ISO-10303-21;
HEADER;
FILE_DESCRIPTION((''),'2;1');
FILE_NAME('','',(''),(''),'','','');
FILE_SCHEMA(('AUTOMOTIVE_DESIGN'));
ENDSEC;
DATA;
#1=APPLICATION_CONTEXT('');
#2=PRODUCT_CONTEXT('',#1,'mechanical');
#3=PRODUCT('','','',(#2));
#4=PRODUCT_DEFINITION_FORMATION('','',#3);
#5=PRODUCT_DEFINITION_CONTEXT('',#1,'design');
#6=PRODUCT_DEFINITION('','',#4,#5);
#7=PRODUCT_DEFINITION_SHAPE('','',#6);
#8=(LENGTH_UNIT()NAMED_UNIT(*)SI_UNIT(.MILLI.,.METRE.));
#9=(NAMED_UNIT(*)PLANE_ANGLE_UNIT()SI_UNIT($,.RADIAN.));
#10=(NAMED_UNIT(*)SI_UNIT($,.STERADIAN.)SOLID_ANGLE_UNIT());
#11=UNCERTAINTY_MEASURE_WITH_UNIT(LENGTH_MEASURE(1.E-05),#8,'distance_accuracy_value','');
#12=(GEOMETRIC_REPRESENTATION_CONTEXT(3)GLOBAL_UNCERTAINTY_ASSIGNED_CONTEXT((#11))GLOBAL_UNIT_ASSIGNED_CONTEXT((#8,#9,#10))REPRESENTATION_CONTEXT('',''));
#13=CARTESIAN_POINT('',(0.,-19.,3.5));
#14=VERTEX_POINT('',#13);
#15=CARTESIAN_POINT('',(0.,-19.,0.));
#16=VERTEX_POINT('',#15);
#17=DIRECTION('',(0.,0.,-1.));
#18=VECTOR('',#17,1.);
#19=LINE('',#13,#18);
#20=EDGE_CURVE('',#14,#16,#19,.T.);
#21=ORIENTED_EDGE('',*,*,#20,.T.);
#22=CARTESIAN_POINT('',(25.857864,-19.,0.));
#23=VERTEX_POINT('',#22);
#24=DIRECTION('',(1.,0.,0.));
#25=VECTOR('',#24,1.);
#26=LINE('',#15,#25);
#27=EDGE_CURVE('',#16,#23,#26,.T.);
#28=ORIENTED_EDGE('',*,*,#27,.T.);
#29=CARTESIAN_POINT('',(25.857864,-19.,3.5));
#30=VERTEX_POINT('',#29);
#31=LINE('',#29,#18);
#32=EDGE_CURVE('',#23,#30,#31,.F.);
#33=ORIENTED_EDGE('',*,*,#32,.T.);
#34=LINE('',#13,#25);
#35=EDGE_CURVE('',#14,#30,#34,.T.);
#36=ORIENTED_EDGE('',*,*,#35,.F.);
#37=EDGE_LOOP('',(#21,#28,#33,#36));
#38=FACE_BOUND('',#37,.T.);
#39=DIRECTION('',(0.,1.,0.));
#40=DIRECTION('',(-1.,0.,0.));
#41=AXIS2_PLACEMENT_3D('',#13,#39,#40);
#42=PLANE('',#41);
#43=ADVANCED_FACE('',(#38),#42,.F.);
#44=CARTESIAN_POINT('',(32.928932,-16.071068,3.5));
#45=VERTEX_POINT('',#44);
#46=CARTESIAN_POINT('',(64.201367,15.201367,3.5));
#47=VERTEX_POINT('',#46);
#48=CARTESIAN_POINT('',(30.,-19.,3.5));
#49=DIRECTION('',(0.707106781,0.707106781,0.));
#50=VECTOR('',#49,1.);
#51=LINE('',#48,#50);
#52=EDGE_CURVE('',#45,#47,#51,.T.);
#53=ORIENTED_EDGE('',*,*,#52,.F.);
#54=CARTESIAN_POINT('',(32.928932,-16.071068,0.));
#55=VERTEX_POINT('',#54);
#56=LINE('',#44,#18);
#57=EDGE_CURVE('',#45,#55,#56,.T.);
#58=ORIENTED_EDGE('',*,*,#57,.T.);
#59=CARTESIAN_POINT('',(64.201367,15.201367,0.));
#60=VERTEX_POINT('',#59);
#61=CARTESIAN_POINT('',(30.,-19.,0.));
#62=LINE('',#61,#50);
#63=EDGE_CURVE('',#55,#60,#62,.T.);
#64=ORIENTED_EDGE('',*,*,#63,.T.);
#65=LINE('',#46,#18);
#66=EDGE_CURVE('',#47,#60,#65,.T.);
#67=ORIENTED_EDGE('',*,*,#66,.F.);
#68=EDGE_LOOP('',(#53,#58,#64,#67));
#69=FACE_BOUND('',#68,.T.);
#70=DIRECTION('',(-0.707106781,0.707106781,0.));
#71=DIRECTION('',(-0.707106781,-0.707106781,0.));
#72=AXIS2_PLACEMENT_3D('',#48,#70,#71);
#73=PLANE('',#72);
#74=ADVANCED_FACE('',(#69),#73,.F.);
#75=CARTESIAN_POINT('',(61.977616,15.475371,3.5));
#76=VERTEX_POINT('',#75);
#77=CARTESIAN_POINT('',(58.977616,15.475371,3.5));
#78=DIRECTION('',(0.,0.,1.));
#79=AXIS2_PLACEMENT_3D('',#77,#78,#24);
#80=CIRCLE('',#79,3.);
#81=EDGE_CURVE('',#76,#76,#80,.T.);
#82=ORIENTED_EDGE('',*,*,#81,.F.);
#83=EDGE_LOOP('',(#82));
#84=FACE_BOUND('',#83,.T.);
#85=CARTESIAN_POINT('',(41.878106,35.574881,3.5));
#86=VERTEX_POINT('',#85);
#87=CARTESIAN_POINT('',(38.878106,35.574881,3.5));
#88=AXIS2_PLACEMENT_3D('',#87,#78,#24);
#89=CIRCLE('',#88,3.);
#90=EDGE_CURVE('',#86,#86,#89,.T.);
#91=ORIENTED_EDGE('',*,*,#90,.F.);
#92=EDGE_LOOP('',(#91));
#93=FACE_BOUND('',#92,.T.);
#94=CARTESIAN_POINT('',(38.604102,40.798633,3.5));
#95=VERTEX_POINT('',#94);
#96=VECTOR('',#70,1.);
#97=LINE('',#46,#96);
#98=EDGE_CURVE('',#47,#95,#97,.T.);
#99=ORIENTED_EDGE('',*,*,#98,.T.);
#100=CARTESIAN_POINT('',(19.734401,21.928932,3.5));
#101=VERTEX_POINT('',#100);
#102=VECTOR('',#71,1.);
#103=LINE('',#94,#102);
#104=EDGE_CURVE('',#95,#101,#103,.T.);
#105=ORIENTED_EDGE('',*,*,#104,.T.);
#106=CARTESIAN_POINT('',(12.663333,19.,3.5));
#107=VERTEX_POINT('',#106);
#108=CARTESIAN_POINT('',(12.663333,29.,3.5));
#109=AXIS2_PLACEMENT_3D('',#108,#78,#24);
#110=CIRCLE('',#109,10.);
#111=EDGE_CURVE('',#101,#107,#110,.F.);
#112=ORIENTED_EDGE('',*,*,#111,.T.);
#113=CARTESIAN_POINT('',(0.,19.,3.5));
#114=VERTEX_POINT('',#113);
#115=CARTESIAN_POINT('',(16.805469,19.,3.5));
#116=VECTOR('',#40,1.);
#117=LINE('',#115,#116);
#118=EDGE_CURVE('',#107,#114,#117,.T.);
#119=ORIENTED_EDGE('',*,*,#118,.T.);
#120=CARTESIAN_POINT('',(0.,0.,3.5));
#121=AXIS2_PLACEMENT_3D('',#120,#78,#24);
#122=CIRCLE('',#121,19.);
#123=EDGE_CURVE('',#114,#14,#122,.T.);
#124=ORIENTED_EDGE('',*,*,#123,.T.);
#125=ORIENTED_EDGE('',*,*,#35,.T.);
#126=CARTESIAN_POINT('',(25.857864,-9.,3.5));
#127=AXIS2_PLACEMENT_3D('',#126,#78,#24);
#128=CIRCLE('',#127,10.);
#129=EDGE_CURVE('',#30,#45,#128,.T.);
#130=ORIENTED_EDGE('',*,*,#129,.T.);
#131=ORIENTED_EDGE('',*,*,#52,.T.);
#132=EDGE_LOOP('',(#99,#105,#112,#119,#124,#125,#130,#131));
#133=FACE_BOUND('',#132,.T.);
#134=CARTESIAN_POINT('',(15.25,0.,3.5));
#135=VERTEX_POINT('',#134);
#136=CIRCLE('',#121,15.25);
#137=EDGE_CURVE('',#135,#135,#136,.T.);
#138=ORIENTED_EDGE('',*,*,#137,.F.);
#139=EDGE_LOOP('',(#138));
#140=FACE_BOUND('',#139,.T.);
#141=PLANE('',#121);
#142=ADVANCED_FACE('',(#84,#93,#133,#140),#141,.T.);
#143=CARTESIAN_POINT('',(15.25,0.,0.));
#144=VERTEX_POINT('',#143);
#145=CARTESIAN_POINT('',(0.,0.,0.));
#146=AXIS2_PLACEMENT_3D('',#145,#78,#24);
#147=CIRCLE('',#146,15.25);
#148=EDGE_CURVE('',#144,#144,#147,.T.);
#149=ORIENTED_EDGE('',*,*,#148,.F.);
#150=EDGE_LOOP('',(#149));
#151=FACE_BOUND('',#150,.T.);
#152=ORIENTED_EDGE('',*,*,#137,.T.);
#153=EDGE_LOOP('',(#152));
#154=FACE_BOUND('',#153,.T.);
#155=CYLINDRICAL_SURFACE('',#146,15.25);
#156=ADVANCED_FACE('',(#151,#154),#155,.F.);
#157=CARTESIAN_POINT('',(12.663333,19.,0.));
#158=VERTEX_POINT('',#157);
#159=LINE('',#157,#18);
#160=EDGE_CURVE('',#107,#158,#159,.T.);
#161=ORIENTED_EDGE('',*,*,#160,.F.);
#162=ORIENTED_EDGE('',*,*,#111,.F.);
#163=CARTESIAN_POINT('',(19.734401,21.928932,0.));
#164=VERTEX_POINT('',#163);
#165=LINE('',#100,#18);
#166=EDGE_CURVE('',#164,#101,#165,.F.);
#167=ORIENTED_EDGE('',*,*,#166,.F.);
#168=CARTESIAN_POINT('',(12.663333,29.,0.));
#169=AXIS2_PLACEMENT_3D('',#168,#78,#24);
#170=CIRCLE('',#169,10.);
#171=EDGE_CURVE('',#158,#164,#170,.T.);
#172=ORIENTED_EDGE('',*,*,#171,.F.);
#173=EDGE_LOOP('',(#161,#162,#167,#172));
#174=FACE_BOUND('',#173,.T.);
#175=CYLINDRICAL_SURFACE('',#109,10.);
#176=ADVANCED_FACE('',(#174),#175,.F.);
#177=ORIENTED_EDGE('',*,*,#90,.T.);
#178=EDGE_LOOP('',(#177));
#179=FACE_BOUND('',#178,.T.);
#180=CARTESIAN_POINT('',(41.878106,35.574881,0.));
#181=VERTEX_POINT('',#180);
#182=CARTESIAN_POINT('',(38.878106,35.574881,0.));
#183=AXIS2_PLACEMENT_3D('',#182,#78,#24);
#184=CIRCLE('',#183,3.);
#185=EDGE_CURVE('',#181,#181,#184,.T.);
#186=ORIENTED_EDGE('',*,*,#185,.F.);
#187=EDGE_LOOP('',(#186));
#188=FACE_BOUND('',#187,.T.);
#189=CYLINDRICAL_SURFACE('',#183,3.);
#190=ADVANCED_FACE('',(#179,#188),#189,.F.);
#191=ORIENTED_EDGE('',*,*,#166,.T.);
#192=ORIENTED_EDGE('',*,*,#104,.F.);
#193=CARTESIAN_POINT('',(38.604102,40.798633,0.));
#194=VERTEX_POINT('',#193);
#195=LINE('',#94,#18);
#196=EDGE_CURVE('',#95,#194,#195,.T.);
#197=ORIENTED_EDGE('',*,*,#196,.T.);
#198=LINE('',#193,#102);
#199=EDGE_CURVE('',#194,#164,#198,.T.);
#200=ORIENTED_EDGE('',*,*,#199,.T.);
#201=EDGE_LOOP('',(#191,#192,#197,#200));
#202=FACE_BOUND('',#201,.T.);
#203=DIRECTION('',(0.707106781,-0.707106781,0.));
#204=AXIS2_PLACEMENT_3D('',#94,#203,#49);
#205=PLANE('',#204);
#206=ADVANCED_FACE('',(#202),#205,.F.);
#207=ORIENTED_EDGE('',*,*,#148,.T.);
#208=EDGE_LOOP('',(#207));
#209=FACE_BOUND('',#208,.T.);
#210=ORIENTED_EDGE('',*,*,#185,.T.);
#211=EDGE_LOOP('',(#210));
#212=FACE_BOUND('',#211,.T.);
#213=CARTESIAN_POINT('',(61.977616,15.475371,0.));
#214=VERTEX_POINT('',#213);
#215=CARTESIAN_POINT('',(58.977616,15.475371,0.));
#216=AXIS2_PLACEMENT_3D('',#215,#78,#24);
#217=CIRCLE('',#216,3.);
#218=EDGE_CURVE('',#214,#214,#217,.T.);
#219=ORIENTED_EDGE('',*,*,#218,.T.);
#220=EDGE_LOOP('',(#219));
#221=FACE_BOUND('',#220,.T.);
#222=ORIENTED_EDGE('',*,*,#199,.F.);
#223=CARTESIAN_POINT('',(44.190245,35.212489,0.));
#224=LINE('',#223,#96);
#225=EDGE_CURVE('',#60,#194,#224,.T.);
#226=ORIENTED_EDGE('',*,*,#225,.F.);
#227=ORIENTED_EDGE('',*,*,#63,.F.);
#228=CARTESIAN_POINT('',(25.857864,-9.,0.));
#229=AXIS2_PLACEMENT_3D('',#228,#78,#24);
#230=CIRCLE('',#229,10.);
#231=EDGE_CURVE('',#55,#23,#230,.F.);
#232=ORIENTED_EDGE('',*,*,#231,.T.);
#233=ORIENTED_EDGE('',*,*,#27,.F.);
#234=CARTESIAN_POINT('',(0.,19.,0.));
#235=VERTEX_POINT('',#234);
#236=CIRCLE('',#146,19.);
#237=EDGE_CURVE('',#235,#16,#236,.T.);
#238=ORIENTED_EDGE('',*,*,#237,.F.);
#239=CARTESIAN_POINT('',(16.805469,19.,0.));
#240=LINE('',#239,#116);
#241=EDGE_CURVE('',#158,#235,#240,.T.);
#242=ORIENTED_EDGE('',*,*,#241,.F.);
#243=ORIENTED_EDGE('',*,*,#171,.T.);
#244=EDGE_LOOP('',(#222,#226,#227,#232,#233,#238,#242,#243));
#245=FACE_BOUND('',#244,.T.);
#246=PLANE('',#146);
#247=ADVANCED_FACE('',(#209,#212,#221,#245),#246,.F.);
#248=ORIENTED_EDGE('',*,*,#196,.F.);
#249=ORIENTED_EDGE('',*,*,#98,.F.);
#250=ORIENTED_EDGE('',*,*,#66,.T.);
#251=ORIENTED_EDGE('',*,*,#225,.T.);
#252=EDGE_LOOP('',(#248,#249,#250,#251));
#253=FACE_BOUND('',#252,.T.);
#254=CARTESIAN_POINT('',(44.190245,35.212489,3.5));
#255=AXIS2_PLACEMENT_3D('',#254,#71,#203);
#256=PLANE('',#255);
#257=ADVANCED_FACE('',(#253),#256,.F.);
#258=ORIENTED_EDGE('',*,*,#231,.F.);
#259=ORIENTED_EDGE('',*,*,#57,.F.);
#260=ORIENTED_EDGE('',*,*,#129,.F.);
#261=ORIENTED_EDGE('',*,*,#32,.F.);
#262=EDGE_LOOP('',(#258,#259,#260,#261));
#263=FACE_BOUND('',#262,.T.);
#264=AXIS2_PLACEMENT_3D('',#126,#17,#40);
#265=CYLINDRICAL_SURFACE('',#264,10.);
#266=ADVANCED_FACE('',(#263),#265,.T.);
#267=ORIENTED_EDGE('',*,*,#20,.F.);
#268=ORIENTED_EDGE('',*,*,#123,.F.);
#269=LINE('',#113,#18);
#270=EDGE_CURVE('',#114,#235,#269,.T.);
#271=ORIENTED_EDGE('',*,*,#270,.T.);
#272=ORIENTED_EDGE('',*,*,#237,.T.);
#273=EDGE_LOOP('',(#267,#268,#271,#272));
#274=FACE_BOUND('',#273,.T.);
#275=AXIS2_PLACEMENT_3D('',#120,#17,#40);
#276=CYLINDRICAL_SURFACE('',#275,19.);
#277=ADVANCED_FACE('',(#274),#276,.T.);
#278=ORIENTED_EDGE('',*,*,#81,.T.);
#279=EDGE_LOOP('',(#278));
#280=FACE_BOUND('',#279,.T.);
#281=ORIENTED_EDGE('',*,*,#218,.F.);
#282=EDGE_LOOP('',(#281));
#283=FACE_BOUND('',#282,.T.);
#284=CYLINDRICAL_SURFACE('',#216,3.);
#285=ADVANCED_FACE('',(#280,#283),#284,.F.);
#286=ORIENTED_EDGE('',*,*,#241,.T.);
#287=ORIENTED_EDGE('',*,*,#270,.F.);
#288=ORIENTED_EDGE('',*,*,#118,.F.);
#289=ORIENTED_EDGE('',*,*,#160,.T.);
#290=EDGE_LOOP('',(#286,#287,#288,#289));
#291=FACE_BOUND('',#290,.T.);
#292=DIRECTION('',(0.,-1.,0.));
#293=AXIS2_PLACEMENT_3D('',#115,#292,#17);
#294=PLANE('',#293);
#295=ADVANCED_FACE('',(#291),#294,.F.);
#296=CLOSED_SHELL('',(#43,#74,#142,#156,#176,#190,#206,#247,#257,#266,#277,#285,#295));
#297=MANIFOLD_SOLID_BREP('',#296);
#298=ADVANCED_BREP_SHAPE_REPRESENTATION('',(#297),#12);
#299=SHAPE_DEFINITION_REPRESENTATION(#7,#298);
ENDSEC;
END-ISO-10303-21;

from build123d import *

# Parameters (mm, degrees)
SKETCH1_R           = 2.5
BOSS_EXTRUDE1_DEPTH = 3.5
SKETCH2_R           = 1.5
CUT_EXTRUDE1_DEPTH  = 77.148499601
FILLET1_R           = 10
SKETCH3_R           = 15.25
SKETCH3_R_2         = 3
CUT_EXTRUDE2_DEPTH  = 77.148499601


with BuildPart() as part:
    # Sketch1 → Boss-Extrude1 (new body)
    with BuildSketch(Plane.XY):
        with BuildLine():
            Line((0, -19), (30, -19))
            Line((30, -19), (64.201367261, 15.201367261))
            Line((64.201367261, 15.201367261), (58.615223689, 20.787510832))
            Line((58.615223689, 20.787510832), (44.190245353, 35.212489168))
            Line((44.190245353, 35.212489168), (38.604101782, 40.798632739))
            Line((38.604101782, 40.798632739), (16.805469042, 19))
            Line((16.805469042, 19), (0, 19))
            ThreePointArc((0, 19), (-19, 0), (0, -19))
        make_face()
        Circle(SKETCH1_R, mode=Mode.SUBTRACT)
    extrude(amount=BOSS_EXTRUDE1_DEPTH)

    # Sketch2 → Cut-Extrude1 (cut, through all)
    with BuildSketch(Plane.XY.offset(3.5)):
        with Locations((38.878105659, 35.574881393)):
            Circle(SKETCH2_R)
        with Locations((58.977615915, 15.475371138)):
            Circle(SKETCH2_R)
    extrude(amount=-CUT_EXTRUDE1_DEPTH, mode=Mode.SUBTRACT)

    # Fillet1
    fillet1_edges = [part.edges().sort_by_distance(p)[0] for p in [
        (16.805469042, 19, 1.75),
        (30, -19, 1.75),
    ]]
    fillet(fillet1_edges, radius=FILLET1_R)

    # Sketch3 → Cut-Extrude2 (cut, through all)
    with BuildSketch(Plane.XY.offset(3.5)):
        Circle(SKETCH3_R)
        with Locations((38.878105659, 35.574881393)):
            Circle(SKETCH3_R_2)
        with Locations((58.977615915, 15.475371138)):
            Circle(SKETCH3_R_2)
    extrude(amount=-CUT_EXTRUDE2_DEPTH, mode=Mode.SUBTRACT)


solid = part.part
